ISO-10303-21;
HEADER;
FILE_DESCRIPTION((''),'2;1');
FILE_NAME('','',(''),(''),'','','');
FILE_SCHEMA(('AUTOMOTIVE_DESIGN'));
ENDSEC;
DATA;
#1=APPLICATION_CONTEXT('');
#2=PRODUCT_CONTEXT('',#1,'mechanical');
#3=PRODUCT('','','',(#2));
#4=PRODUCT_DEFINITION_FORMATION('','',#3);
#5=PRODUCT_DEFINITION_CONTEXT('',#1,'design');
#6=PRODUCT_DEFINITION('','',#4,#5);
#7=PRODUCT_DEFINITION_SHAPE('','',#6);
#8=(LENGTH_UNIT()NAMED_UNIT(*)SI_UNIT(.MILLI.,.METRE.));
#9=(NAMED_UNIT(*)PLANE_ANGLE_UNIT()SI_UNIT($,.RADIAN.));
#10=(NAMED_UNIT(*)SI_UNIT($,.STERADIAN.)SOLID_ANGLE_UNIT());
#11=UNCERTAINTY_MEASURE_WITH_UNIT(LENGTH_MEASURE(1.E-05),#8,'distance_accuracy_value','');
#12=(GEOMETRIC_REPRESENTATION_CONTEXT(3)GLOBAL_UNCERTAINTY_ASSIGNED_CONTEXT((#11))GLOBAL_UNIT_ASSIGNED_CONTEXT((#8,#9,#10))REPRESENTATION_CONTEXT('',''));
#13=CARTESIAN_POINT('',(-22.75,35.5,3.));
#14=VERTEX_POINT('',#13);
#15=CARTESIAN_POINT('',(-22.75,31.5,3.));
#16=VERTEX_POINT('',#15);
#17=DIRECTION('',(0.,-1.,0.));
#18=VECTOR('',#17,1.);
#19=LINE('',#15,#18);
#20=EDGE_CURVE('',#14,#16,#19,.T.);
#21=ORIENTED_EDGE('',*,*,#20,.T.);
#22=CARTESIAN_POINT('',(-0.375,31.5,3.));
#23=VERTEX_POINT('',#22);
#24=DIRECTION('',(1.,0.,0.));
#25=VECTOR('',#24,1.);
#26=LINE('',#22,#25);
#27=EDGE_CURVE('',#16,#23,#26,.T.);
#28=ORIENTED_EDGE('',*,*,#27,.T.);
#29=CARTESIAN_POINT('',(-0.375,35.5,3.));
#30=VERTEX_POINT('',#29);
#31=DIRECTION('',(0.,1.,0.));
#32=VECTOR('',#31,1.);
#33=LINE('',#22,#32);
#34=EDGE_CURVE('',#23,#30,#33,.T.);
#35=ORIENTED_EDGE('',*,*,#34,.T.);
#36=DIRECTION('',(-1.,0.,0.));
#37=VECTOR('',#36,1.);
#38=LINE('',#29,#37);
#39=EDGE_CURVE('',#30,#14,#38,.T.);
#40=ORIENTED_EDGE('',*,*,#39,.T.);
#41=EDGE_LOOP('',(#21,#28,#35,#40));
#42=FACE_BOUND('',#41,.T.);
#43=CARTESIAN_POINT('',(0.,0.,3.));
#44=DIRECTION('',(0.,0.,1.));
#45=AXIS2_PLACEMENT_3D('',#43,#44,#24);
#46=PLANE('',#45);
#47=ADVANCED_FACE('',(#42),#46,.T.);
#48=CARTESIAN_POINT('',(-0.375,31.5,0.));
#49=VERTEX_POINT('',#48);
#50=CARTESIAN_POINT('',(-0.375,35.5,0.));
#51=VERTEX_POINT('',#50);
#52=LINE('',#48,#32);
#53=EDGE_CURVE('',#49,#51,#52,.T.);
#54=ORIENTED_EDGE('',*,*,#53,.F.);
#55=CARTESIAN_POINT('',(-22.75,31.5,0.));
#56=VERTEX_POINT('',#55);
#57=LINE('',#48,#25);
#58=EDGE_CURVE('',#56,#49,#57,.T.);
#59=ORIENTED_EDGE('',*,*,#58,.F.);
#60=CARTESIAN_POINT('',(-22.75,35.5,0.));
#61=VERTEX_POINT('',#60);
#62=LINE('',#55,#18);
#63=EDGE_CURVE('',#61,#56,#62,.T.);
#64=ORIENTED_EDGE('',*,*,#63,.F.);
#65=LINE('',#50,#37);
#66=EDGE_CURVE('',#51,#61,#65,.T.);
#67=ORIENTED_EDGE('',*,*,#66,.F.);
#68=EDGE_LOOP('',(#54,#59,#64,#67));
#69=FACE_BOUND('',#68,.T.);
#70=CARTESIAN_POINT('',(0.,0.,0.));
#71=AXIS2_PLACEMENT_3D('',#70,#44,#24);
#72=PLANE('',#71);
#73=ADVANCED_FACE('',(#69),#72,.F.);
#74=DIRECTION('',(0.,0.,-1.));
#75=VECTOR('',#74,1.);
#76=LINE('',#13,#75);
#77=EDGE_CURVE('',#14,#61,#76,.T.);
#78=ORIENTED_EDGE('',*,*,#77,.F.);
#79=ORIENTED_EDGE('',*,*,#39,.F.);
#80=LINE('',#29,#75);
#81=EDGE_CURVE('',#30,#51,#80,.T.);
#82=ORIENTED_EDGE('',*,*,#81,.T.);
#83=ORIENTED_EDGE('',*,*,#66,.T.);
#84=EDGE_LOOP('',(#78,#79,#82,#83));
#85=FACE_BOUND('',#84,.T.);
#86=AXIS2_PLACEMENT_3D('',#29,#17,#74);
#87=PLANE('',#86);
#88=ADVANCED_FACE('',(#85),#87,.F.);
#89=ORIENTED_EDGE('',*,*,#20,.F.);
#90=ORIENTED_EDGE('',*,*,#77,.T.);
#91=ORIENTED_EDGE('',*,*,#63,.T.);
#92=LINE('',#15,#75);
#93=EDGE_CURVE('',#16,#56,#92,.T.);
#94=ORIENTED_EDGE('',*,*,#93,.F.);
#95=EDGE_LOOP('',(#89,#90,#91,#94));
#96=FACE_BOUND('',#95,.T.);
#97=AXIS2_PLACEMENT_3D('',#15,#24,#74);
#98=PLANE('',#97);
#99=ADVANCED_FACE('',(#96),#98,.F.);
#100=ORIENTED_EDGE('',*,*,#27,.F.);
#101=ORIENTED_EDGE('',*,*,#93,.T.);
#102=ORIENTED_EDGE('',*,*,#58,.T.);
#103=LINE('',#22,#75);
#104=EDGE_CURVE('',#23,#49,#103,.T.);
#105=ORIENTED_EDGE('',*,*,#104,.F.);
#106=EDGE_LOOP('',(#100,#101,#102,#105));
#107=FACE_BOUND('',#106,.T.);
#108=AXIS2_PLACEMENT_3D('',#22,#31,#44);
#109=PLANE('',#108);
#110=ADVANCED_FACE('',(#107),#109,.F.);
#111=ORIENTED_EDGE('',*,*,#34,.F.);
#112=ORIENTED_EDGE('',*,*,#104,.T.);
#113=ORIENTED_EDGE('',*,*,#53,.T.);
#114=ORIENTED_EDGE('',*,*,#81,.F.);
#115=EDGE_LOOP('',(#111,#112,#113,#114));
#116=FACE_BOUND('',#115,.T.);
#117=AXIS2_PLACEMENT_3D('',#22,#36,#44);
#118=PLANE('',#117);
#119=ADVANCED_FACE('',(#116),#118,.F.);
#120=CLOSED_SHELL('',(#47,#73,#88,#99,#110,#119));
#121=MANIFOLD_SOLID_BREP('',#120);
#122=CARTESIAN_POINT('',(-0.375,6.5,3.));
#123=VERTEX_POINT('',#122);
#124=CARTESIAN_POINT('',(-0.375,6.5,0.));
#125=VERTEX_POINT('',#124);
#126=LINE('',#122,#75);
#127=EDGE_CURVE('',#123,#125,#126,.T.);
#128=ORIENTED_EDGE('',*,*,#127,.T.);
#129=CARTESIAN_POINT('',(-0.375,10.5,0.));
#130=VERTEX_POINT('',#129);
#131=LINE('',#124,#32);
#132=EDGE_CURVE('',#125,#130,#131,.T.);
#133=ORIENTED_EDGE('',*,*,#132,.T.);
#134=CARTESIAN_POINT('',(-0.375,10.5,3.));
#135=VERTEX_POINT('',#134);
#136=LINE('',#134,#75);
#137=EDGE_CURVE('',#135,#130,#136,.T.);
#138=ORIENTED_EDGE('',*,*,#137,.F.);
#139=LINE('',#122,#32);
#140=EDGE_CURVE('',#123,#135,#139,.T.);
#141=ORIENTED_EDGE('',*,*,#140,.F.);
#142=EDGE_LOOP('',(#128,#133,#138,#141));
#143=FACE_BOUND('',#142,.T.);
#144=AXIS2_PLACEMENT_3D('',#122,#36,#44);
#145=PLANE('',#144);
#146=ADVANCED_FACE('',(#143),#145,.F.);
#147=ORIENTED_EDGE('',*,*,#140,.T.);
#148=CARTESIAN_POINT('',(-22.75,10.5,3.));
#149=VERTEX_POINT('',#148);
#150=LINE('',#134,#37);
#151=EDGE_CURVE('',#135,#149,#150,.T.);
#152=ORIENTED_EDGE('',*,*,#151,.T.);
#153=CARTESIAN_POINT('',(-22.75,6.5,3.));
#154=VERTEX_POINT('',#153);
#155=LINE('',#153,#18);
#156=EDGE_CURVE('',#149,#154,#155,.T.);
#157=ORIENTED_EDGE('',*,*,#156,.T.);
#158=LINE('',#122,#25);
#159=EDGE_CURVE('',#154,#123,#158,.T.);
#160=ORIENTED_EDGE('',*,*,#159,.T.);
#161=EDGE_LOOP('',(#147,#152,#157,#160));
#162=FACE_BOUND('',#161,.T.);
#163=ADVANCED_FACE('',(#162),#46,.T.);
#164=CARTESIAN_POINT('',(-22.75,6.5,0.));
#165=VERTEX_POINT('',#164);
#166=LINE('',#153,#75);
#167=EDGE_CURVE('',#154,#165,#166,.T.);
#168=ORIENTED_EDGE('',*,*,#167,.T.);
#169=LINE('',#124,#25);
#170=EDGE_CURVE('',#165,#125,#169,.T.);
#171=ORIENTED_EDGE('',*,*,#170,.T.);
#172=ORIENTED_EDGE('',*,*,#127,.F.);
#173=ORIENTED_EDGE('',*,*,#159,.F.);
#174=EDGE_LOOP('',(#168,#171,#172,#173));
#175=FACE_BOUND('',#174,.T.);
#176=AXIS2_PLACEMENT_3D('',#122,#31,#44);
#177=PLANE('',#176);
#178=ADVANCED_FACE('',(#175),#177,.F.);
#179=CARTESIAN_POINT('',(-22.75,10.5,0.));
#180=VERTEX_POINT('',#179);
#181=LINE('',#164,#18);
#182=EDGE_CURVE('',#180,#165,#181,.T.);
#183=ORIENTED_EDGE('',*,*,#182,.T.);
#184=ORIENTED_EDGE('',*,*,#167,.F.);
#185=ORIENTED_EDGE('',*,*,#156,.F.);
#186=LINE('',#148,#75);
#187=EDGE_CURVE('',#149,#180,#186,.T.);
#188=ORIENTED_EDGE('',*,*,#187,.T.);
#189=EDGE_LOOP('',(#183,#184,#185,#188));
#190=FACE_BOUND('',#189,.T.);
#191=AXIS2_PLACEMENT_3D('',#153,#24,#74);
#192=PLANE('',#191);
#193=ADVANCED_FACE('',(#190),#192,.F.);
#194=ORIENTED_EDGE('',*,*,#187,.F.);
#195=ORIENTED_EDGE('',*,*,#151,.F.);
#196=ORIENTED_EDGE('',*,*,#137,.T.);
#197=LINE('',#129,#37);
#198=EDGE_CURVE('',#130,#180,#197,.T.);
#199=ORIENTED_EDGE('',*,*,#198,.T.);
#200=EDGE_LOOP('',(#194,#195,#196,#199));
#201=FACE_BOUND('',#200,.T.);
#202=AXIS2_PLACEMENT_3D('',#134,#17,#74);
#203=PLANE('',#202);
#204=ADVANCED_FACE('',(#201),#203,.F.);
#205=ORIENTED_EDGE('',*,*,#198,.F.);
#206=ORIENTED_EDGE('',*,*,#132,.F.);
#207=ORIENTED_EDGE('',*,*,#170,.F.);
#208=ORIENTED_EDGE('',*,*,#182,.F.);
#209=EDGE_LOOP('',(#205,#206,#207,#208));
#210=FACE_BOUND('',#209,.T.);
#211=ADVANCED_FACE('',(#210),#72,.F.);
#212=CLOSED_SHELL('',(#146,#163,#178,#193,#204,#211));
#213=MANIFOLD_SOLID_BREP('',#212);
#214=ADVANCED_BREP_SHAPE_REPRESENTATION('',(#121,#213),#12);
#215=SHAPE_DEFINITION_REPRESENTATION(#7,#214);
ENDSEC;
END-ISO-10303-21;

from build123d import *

# Parameters (mm, degrees)
SKETCH2_W             = 22.375
SKETCH2_H             = 4
BOSS_EXTRUDE1_DEPTH   = 3
BOSS_EXTRUDE1_2_DEPTH = 3


with BuildPart() as part:
    # Sketch2 → Boss-Extrude1 (new body)
    with BuildSketch(Plane(origin=(0, 0, 0), x_dir=(-1, 0, 0), z_dir=(0, 0, 1))):
        with Locations((11.5625, -33.5)):
            Rectangle(SKETCH2_W, SKETCH2_H)
    extrude(amount=BOSS_EXTRUDE1_DEPTH)


with BuildPart() as body_2:
    # Sketch2 → Boss-Extrude1 2 (new body)
    with BuildSketch(Plane(origin=(0, 0, 0), x_dir=(-1, 0, 0), z_dir=(0, 0, 1))):
        with Locations((11.5625, -8.5)):
            Rectangle(SKETCH2_W, SKETCH2_H)
    extrude(amount=BOSS_EXTRUDE1_2_DEPTH)


solid = Compound([part.part, body_2.part])
